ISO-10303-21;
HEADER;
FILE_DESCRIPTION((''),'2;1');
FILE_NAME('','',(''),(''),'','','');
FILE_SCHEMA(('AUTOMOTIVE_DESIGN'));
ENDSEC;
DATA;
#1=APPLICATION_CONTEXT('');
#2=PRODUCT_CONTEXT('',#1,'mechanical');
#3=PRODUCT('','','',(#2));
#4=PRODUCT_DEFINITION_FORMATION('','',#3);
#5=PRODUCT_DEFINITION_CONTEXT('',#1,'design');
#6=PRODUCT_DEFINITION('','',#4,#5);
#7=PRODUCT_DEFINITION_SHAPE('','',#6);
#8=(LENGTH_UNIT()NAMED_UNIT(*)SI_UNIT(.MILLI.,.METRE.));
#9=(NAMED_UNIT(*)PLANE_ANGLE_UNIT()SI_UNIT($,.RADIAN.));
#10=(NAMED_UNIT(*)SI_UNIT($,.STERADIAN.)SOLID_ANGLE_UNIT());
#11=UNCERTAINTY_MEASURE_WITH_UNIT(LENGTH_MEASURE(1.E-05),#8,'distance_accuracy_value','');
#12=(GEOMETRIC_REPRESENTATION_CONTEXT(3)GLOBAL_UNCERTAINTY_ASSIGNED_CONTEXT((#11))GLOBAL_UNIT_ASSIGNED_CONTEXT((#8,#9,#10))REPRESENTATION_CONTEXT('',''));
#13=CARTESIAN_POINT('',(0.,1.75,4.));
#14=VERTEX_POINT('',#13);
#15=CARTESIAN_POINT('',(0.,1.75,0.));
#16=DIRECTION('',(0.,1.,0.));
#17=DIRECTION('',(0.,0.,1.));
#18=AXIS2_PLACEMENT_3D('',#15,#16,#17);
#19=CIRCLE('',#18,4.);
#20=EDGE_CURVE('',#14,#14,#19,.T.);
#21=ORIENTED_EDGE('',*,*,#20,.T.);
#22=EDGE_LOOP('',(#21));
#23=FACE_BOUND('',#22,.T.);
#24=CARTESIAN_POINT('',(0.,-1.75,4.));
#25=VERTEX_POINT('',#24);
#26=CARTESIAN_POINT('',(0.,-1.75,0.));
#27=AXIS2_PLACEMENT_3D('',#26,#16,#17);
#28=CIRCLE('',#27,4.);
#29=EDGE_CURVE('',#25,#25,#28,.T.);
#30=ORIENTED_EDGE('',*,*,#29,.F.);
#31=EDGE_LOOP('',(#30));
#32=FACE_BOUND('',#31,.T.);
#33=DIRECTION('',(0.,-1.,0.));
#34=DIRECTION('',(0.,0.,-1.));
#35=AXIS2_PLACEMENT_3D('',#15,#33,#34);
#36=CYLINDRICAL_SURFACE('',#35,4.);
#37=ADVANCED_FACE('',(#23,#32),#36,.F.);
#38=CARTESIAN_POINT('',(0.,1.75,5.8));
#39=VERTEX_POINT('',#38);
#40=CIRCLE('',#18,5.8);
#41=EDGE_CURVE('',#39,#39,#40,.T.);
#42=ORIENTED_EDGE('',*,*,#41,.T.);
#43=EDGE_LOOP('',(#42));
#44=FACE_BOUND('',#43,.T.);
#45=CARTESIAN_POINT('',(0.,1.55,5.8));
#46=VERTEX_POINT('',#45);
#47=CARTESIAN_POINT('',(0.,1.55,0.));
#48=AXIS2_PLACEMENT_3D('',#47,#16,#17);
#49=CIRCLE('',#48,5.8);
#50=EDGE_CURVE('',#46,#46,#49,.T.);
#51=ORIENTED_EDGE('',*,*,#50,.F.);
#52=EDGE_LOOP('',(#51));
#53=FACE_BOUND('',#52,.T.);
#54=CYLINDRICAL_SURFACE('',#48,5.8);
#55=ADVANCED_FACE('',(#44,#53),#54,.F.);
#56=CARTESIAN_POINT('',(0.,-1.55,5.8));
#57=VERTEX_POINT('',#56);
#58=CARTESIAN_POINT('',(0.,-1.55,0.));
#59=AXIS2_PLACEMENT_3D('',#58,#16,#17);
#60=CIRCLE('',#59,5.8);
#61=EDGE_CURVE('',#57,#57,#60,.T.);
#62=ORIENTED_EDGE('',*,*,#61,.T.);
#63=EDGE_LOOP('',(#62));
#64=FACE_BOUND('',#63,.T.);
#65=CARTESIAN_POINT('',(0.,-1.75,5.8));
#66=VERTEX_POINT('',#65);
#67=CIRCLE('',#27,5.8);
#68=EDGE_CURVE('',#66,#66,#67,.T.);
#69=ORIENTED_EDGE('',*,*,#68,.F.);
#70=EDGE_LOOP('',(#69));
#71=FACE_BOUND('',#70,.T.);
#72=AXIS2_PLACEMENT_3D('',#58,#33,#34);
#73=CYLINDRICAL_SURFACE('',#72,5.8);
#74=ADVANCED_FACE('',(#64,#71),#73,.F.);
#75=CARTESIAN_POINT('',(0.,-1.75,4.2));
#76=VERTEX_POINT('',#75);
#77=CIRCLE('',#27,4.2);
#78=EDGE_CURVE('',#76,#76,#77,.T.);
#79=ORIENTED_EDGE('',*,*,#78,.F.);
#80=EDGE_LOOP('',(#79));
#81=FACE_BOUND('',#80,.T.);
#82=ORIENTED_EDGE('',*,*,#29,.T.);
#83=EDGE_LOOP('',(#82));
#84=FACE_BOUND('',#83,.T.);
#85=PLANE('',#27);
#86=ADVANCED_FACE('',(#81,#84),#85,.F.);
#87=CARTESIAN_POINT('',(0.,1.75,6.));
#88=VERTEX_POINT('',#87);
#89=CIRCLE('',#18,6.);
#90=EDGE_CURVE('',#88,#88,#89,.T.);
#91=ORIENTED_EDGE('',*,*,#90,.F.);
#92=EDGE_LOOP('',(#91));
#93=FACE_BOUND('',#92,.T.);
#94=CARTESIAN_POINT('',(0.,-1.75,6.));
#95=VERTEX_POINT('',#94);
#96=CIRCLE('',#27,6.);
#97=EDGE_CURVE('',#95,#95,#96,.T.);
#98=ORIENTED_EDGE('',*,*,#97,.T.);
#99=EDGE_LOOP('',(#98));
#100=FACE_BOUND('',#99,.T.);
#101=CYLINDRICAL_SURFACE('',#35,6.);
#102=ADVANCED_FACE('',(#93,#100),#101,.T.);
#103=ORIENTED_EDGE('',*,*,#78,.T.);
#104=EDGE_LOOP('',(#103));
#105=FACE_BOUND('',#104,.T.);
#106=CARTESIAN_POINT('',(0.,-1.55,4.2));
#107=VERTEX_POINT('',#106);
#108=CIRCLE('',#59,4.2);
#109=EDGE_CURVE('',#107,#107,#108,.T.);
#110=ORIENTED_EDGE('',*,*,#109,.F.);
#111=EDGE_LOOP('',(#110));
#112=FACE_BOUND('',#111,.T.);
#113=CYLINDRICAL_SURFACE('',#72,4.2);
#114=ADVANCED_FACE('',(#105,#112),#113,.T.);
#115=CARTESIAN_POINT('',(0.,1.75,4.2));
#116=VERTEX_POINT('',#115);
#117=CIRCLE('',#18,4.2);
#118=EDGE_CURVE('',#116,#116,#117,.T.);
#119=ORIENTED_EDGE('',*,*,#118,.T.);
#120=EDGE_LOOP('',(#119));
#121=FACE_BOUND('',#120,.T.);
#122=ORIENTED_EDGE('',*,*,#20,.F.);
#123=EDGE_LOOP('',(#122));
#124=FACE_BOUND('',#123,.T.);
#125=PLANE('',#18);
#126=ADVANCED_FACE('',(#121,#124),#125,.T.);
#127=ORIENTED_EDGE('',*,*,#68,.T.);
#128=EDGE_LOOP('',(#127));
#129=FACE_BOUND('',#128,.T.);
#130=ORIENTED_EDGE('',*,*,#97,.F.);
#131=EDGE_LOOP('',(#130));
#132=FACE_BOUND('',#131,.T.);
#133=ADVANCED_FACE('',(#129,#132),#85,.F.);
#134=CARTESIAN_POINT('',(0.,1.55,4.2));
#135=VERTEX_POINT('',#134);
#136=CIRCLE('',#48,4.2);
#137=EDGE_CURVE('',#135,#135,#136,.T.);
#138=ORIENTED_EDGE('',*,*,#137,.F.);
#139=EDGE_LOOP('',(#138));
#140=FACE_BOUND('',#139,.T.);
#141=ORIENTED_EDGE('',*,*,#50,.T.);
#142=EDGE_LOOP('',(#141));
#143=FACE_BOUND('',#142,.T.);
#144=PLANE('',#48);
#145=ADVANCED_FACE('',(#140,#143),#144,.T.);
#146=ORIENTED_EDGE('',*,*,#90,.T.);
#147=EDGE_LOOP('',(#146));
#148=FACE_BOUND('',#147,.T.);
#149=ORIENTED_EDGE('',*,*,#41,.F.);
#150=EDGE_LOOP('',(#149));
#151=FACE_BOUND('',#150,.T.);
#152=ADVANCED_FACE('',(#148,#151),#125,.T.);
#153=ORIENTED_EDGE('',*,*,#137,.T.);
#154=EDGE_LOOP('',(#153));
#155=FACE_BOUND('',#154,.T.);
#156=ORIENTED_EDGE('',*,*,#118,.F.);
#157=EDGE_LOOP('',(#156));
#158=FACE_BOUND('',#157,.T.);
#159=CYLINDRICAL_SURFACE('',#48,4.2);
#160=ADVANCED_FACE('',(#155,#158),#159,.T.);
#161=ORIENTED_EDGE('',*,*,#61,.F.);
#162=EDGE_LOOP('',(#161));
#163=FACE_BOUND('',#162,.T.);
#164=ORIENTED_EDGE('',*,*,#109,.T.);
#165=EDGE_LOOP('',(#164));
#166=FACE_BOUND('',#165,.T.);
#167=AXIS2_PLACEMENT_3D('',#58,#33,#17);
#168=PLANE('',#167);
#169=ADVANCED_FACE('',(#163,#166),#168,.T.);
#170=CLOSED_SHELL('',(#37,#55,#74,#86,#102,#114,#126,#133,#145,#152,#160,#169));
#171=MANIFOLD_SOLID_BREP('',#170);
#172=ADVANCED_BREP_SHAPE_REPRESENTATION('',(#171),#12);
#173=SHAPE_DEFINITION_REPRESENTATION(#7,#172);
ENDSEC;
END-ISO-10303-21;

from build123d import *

# Parameters (mm, degrees)
SKETCH1_R           = 6
SKETCH1_R_2         = 4
BOSS_EXTRUDE1_DEPTH = 1.75
SKETCH2_R           = 5.8
SKETCH2_R_2         = 4.2
CUT_EXTRUDE1_DEPTH  = 0.2


with BuildPart() as part:
    # Sketch1 → Boss-Extrude1 (new body, symmetric)
    with BuildSketch(Plane(origin=(0, 0, 0), x_dir=(1, 0, 0), z_dir=(0, 1, 0))):
        Circle(SKETCH1_R)
        Circle(SKETCH1_R_2, mode=Mode.SUBTRACT)
    extrude(amount=BOSS_EXTRUDE1_DEPTH, both=True)

    # Sketch2 → Cut-Extrude1 (cut)
    with BuildSketch(Plane(origin=(0, 1.75, 0), x_dir=(1, 0, 0), z_dir=(0, 1, 0))):
        Circle(SKETCH2_R)
        Circle(SKETCH2_R_2, mode=Mode.SUBTRACT)
    cut_extrude1 = extrude(amount=-CUT_EXTRUDE1_DEPTH, mode=Mode.SUBTRACT)

    # Mirror2: Cut-Extrude1 across plane
    add(cut_extrude1.mirror(Plane.ZX), mode=Mode.SUBTRACT)


solid = part.part
